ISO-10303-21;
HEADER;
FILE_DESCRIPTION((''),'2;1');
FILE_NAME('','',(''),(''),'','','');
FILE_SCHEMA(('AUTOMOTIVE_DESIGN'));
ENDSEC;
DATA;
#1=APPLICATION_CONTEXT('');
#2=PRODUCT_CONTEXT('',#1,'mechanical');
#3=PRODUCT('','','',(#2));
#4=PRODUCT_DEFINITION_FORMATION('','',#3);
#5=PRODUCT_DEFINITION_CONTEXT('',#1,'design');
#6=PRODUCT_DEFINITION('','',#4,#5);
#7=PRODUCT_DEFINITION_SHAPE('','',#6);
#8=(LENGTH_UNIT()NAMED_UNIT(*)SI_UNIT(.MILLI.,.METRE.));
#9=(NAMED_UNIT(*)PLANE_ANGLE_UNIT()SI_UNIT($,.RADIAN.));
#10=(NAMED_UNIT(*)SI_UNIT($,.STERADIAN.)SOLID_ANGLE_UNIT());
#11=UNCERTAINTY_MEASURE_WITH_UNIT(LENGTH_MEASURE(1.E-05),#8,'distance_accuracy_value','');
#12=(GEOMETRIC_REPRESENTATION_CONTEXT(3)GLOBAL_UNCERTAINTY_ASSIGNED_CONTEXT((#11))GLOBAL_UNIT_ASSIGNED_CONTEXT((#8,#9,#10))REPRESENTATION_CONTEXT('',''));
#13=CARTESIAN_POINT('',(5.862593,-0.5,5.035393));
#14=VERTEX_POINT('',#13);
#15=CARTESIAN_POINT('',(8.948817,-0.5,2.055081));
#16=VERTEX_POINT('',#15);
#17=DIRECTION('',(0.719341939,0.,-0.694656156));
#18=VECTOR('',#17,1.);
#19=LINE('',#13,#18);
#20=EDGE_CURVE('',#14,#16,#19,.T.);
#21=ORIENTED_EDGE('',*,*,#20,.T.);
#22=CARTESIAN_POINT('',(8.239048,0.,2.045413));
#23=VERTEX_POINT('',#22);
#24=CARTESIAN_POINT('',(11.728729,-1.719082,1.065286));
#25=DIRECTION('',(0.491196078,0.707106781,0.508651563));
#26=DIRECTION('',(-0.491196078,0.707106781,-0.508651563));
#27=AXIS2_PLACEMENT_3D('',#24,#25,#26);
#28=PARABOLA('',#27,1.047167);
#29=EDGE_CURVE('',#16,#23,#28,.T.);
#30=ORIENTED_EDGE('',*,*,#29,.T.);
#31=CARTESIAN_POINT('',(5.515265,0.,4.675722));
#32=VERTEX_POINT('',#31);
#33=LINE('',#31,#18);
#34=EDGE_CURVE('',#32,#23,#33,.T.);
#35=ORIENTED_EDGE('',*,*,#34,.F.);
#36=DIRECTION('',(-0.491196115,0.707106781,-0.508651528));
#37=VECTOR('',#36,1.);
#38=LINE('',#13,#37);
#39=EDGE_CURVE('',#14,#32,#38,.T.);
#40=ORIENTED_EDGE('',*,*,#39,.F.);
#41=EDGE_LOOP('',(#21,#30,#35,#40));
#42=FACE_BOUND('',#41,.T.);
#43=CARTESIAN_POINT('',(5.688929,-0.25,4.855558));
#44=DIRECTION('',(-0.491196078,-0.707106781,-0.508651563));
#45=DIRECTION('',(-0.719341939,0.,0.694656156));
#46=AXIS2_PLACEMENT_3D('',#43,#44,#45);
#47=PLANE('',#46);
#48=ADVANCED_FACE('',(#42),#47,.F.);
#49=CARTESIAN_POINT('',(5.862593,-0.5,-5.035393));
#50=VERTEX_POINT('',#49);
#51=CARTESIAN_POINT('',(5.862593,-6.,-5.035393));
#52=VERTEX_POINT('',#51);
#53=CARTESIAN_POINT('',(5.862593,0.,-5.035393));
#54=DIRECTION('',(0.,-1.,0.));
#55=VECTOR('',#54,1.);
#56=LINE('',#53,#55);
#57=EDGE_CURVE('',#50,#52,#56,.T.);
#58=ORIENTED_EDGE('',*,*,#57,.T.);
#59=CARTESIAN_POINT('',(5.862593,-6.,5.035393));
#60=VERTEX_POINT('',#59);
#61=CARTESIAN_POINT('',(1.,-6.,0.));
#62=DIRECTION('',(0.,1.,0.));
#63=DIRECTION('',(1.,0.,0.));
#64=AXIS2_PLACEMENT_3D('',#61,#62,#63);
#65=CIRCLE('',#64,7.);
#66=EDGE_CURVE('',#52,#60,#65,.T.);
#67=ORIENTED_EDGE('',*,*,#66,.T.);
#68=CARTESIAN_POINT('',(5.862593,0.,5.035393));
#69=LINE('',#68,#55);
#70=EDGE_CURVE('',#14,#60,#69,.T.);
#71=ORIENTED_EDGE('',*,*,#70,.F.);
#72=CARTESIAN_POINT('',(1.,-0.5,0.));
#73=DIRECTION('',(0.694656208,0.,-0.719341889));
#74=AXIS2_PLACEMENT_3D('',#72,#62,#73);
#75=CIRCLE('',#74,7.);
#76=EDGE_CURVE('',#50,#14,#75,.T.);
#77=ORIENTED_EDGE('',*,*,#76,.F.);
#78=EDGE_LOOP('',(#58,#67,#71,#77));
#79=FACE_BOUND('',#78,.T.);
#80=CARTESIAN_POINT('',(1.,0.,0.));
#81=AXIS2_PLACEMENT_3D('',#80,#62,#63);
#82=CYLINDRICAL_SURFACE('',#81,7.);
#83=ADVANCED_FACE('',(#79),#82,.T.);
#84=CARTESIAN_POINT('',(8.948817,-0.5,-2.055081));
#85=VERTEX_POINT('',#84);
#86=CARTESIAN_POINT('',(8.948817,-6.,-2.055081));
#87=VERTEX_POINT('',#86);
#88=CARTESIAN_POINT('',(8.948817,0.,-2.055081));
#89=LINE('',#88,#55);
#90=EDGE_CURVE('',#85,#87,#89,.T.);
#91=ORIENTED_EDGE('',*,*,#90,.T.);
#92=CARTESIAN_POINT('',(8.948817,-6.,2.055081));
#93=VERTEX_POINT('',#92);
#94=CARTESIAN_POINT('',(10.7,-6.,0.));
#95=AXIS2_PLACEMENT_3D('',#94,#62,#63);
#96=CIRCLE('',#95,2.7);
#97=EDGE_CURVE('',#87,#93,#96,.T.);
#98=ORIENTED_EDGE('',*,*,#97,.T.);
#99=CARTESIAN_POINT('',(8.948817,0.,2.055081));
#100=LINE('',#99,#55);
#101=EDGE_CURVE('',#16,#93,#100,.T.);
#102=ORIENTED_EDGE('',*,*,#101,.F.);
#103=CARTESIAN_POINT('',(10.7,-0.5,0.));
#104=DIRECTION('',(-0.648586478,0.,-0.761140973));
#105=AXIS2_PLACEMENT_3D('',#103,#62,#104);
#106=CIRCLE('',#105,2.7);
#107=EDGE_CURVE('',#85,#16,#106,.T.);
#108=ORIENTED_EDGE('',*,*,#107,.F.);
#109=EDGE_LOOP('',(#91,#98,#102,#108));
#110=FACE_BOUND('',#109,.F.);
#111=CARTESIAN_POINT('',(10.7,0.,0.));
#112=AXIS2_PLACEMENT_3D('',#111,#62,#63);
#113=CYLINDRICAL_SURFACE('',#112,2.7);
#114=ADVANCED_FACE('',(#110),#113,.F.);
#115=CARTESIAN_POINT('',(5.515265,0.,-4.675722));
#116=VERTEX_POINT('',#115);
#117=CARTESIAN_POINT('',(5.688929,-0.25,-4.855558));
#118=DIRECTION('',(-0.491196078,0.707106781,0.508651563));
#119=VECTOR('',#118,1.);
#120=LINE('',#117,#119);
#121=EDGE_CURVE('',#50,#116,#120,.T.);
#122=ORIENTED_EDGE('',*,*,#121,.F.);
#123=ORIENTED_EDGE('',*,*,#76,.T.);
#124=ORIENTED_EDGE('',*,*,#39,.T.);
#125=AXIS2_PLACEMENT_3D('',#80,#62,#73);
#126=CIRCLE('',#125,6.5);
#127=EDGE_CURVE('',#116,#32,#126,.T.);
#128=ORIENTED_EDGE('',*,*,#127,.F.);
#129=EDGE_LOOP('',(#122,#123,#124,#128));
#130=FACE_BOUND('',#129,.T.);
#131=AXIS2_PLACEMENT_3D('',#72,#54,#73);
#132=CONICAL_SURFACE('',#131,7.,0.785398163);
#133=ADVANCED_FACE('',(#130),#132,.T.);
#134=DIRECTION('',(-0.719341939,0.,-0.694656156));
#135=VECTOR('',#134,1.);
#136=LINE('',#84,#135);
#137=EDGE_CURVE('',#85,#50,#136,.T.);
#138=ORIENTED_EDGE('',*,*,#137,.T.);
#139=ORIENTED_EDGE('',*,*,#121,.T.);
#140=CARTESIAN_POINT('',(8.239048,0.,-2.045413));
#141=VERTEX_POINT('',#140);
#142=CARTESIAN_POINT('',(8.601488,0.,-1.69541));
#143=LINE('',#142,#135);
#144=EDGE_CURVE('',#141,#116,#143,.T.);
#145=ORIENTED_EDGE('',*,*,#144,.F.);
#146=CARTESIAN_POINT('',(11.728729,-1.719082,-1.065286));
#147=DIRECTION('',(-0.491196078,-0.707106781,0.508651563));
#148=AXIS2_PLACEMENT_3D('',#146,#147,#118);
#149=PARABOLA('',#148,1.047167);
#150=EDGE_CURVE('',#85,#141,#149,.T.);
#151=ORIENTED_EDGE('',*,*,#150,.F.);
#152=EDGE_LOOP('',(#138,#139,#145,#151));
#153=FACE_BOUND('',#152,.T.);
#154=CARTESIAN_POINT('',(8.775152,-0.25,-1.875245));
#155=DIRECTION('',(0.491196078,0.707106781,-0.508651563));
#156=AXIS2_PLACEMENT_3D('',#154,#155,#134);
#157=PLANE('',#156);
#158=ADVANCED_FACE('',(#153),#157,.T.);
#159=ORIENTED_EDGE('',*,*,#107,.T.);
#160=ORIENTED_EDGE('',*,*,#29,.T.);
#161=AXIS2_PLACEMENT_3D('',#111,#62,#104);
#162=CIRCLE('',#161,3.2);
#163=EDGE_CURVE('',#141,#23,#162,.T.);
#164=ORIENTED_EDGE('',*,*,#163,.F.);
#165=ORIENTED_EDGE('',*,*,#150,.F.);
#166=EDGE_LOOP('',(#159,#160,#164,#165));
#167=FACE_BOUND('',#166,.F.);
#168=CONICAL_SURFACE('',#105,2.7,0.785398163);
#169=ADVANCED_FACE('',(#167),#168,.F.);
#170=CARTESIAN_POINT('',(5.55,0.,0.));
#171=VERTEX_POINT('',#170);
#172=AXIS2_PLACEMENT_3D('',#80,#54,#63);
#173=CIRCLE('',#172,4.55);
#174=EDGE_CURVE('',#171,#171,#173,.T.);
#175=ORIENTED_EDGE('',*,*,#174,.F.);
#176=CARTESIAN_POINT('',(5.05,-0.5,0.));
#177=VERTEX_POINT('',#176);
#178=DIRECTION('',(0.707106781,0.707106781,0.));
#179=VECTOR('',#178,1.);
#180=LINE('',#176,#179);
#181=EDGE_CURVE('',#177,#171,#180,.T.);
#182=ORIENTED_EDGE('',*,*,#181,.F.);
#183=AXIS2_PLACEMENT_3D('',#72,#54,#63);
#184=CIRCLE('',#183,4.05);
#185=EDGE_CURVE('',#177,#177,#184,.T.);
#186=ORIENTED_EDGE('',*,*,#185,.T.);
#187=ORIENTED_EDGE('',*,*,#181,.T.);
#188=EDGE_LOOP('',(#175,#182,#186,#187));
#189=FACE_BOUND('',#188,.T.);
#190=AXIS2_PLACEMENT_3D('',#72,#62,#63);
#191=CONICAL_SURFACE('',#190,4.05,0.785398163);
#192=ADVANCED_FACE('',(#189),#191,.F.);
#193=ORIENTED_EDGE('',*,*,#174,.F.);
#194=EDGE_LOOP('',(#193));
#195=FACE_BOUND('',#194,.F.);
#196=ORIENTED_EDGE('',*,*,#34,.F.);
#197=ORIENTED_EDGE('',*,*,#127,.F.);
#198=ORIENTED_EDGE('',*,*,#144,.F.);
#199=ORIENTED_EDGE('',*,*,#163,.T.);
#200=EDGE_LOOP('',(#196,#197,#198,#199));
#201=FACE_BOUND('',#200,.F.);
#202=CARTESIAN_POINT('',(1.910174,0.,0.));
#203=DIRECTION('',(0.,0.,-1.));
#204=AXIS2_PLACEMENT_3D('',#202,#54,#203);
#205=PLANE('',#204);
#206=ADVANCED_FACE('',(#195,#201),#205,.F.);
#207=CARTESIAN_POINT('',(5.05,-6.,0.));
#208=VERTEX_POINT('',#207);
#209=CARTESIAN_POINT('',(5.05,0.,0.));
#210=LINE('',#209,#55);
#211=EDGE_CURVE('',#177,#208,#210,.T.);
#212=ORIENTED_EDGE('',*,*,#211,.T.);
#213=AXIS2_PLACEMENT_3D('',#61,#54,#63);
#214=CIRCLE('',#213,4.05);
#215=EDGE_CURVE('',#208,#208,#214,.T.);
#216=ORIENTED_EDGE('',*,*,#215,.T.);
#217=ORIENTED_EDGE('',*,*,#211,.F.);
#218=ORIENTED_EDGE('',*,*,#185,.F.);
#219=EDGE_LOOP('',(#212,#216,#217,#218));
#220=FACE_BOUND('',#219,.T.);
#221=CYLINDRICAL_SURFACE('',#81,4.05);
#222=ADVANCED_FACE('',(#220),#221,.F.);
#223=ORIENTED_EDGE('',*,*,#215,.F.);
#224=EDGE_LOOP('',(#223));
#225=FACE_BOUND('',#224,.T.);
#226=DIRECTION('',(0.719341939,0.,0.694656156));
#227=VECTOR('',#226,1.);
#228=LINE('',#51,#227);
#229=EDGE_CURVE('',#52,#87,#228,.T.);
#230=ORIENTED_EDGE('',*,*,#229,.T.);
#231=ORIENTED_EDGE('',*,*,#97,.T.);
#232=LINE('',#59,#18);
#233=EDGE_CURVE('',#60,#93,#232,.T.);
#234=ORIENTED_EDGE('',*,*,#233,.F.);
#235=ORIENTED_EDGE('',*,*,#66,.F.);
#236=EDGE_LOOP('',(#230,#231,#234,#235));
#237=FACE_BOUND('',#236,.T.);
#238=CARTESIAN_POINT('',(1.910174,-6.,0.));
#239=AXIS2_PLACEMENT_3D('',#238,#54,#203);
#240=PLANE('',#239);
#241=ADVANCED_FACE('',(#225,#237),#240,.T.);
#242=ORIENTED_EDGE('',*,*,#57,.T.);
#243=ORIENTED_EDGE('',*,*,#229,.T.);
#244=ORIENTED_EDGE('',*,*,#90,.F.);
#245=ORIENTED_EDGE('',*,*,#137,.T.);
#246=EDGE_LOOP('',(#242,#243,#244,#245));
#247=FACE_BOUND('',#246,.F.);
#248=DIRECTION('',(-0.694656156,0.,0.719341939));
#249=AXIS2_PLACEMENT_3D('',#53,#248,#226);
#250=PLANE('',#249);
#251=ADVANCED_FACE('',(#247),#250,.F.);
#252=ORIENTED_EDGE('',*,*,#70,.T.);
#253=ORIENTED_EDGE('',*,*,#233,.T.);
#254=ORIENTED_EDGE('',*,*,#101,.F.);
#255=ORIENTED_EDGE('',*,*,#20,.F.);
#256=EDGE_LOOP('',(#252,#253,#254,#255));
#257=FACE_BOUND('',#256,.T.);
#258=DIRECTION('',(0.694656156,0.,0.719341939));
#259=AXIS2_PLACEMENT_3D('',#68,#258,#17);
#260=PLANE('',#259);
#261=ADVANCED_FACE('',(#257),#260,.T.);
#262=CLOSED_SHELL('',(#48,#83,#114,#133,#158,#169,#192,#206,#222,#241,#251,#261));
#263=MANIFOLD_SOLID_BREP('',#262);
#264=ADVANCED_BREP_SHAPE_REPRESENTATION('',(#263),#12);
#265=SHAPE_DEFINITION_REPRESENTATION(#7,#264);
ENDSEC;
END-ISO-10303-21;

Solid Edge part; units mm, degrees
sketch "Sketch1" plane through (0, 0, 0) normal (0, -1, 0) x (1, 0, 0)
  line L0 (5.8626, -5.0354) -> (8.9488, -2.0551)
  line L1 (5.8626, 5.0354) -> (8.9488, 2.0551)
  arc A0 (8.9488, -2.0551) -> (8.9488, 2.0551) centre (10.7, 0) cw
  arc A1 (5.8626, -5.0354) -> (5.8626, 5.0354) centre (1, 0) cw
  circle A2 centre (1, 0) radius 4.05
extrude "Protrusion1" add sketch "Sketch1" along normal blind 6
chamfer "Chamfer_1" [suppressed]
fillet "Round_1" [suppressed]
chamfer "Chamfer_3" distance 0.5 angle 45 5 edges at (-6, 0, 0) (7.4057, 0, -3.5452) (7.4057, 0, 3.5452) (-3.05, 0, 0) (8, 0, 0)
properties material "ABS Plastic, medium impact"
